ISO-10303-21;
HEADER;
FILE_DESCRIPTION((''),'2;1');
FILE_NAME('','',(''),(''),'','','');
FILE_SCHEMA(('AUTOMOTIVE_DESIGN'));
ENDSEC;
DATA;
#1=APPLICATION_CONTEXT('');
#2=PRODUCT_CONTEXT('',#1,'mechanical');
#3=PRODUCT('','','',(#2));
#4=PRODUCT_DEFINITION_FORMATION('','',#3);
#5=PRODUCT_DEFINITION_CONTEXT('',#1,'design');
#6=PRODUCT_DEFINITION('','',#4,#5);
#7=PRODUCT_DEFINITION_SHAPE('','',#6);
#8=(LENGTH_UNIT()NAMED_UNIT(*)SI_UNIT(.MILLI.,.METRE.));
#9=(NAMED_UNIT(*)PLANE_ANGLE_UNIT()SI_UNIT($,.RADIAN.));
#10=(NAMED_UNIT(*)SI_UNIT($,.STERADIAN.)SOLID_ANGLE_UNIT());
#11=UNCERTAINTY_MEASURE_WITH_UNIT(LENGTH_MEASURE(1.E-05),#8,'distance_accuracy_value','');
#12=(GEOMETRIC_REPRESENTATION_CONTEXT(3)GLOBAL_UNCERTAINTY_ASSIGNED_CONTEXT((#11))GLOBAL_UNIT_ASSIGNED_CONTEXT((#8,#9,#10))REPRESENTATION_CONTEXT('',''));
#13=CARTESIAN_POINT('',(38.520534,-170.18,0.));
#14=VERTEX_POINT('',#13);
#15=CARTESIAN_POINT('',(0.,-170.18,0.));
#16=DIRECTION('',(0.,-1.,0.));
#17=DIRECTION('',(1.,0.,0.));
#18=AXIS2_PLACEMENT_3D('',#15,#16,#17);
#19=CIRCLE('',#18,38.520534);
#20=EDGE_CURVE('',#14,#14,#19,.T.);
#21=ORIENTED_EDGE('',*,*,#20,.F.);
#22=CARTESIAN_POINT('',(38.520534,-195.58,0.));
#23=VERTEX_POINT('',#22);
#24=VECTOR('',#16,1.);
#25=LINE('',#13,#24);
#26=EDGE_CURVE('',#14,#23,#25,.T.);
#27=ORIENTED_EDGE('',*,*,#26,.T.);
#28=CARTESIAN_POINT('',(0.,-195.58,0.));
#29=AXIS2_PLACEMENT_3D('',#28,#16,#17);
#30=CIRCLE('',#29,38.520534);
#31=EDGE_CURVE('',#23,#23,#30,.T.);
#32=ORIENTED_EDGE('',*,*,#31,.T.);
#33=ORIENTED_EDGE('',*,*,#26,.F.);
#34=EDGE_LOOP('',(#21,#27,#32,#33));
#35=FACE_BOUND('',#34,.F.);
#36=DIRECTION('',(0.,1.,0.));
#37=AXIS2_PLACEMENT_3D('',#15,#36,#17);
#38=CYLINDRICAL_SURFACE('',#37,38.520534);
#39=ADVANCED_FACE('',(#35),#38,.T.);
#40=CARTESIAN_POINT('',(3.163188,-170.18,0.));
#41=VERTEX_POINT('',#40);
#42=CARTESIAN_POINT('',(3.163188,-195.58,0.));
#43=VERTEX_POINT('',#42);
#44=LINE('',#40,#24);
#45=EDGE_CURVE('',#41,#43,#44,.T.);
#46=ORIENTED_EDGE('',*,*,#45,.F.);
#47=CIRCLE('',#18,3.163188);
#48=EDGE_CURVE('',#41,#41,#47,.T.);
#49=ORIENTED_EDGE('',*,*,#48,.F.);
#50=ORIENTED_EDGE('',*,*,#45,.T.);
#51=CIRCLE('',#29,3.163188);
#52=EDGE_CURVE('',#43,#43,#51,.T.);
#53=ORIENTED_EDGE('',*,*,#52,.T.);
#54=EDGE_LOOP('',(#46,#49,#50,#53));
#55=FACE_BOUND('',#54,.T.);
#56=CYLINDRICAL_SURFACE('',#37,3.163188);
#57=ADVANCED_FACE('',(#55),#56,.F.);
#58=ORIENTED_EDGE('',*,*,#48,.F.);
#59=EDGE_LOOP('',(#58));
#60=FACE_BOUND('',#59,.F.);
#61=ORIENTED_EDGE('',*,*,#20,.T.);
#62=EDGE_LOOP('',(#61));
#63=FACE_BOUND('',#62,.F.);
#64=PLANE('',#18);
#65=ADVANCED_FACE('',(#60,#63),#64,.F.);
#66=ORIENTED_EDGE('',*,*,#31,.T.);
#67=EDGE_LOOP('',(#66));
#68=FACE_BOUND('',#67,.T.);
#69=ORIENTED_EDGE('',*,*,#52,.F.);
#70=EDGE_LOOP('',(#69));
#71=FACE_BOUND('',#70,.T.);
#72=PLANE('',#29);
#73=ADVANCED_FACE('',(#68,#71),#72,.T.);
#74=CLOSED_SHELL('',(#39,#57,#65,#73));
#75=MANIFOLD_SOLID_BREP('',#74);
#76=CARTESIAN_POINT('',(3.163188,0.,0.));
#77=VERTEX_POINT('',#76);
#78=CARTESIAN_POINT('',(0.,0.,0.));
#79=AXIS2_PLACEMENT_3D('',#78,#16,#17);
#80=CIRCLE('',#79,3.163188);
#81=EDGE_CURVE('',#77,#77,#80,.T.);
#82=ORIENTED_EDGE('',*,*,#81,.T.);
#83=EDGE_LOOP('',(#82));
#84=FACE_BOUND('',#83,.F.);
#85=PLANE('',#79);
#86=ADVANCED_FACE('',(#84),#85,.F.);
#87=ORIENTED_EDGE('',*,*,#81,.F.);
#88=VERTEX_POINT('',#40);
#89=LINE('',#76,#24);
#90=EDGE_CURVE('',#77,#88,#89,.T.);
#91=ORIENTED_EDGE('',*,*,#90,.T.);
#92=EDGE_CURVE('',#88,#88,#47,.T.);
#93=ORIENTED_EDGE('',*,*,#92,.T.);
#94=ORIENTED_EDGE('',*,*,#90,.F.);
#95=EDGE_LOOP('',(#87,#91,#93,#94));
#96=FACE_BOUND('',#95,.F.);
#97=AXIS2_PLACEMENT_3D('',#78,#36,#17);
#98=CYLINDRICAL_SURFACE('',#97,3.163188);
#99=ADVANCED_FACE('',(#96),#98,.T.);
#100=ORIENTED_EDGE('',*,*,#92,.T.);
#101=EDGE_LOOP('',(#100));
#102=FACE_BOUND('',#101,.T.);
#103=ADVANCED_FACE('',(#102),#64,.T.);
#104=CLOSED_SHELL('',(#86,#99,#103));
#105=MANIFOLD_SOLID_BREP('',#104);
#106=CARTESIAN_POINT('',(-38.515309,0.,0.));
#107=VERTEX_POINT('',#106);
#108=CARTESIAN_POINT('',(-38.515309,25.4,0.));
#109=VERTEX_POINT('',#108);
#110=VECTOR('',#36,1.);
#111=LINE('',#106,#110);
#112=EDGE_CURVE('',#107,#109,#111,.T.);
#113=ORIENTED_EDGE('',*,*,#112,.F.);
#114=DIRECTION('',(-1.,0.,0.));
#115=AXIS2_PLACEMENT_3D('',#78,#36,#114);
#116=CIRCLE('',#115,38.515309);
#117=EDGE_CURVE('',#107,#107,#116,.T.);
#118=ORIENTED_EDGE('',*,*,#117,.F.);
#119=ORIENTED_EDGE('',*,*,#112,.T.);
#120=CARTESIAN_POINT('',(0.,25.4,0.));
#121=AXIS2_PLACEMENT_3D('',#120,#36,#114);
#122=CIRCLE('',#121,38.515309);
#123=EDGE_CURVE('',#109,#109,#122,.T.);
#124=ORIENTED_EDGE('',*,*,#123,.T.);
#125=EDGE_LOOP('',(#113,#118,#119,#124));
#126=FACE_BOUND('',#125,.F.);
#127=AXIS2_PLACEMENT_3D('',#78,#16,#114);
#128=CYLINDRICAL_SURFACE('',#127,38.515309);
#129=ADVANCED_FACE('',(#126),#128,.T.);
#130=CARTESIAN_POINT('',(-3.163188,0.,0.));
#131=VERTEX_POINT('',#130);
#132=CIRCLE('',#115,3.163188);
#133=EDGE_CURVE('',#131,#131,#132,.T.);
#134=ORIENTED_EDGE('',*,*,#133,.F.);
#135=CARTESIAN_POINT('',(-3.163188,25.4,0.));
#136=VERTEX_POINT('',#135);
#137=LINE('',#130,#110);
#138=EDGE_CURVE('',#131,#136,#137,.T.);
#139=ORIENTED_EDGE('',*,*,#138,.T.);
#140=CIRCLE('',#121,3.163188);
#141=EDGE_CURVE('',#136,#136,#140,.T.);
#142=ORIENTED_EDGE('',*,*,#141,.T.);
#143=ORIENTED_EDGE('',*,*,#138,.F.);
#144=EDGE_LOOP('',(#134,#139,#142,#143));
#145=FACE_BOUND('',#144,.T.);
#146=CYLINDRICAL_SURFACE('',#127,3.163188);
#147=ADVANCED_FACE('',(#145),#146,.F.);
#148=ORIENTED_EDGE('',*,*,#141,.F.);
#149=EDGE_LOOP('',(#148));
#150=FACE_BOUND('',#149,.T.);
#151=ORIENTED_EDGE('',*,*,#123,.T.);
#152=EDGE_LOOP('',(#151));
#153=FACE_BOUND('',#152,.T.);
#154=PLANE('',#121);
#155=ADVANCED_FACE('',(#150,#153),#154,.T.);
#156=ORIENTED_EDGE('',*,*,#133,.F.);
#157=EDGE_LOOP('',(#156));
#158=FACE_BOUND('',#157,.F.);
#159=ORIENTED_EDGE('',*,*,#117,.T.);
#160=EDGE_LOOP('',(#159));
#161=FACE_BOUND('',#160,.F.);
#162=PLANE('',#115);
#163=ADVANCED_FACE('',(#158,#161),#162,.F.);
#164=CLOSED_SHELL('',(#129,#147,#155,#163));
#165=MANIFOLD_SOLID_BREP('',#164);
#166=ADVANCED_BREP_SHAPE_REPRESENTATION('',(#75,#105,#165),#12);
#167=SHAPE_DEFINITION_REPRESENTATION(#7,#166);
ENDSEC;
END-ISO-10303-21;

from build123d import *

# Parameters (mm, degrees)
F0_R     = 3.1631883426
F1_DEPTH = 170.18
F3_R     = 38.5153090503
F3_R_2   = 3.1631883426
F4_DEPTH = 25.4
F2_R     = 38.5205339889
F2_R_2   = 3.1631883426
F5_DEPTH = 25.4


with BuildPart() as f1:
    # F0 (on Front) → F1 (new body)
    with BuildSketch(Plane.XZ):
        Circle(F0_R)
    extrude(amount=F1_DEPTH)


with BuildPart() as f4:
    # F3 (on face) → F4 (new body)
    with BuildSketch(Plane(origin=(0, 0, 0), x_dir=(-1, 0, 0), z_dir=(0, 1, 0))):
        Circle(F3_R)
        Circle(F3_R_2, mode=Mode.SUBTRACT)
    extrude(amount=F4_DEPTH)


with BuildPart() as f5:
    # F2 (on face) → F5 (new body)
    with BuildSketch(Plane.XZ.offset(170.18)):
        Circle(F2_R)
        Circle(F2_R_2, mode=Mode.SUBTRACT)
    extrude(amount=F5_DEPTH)


solid = Compound([f1.part, f4.part, f5.part])
